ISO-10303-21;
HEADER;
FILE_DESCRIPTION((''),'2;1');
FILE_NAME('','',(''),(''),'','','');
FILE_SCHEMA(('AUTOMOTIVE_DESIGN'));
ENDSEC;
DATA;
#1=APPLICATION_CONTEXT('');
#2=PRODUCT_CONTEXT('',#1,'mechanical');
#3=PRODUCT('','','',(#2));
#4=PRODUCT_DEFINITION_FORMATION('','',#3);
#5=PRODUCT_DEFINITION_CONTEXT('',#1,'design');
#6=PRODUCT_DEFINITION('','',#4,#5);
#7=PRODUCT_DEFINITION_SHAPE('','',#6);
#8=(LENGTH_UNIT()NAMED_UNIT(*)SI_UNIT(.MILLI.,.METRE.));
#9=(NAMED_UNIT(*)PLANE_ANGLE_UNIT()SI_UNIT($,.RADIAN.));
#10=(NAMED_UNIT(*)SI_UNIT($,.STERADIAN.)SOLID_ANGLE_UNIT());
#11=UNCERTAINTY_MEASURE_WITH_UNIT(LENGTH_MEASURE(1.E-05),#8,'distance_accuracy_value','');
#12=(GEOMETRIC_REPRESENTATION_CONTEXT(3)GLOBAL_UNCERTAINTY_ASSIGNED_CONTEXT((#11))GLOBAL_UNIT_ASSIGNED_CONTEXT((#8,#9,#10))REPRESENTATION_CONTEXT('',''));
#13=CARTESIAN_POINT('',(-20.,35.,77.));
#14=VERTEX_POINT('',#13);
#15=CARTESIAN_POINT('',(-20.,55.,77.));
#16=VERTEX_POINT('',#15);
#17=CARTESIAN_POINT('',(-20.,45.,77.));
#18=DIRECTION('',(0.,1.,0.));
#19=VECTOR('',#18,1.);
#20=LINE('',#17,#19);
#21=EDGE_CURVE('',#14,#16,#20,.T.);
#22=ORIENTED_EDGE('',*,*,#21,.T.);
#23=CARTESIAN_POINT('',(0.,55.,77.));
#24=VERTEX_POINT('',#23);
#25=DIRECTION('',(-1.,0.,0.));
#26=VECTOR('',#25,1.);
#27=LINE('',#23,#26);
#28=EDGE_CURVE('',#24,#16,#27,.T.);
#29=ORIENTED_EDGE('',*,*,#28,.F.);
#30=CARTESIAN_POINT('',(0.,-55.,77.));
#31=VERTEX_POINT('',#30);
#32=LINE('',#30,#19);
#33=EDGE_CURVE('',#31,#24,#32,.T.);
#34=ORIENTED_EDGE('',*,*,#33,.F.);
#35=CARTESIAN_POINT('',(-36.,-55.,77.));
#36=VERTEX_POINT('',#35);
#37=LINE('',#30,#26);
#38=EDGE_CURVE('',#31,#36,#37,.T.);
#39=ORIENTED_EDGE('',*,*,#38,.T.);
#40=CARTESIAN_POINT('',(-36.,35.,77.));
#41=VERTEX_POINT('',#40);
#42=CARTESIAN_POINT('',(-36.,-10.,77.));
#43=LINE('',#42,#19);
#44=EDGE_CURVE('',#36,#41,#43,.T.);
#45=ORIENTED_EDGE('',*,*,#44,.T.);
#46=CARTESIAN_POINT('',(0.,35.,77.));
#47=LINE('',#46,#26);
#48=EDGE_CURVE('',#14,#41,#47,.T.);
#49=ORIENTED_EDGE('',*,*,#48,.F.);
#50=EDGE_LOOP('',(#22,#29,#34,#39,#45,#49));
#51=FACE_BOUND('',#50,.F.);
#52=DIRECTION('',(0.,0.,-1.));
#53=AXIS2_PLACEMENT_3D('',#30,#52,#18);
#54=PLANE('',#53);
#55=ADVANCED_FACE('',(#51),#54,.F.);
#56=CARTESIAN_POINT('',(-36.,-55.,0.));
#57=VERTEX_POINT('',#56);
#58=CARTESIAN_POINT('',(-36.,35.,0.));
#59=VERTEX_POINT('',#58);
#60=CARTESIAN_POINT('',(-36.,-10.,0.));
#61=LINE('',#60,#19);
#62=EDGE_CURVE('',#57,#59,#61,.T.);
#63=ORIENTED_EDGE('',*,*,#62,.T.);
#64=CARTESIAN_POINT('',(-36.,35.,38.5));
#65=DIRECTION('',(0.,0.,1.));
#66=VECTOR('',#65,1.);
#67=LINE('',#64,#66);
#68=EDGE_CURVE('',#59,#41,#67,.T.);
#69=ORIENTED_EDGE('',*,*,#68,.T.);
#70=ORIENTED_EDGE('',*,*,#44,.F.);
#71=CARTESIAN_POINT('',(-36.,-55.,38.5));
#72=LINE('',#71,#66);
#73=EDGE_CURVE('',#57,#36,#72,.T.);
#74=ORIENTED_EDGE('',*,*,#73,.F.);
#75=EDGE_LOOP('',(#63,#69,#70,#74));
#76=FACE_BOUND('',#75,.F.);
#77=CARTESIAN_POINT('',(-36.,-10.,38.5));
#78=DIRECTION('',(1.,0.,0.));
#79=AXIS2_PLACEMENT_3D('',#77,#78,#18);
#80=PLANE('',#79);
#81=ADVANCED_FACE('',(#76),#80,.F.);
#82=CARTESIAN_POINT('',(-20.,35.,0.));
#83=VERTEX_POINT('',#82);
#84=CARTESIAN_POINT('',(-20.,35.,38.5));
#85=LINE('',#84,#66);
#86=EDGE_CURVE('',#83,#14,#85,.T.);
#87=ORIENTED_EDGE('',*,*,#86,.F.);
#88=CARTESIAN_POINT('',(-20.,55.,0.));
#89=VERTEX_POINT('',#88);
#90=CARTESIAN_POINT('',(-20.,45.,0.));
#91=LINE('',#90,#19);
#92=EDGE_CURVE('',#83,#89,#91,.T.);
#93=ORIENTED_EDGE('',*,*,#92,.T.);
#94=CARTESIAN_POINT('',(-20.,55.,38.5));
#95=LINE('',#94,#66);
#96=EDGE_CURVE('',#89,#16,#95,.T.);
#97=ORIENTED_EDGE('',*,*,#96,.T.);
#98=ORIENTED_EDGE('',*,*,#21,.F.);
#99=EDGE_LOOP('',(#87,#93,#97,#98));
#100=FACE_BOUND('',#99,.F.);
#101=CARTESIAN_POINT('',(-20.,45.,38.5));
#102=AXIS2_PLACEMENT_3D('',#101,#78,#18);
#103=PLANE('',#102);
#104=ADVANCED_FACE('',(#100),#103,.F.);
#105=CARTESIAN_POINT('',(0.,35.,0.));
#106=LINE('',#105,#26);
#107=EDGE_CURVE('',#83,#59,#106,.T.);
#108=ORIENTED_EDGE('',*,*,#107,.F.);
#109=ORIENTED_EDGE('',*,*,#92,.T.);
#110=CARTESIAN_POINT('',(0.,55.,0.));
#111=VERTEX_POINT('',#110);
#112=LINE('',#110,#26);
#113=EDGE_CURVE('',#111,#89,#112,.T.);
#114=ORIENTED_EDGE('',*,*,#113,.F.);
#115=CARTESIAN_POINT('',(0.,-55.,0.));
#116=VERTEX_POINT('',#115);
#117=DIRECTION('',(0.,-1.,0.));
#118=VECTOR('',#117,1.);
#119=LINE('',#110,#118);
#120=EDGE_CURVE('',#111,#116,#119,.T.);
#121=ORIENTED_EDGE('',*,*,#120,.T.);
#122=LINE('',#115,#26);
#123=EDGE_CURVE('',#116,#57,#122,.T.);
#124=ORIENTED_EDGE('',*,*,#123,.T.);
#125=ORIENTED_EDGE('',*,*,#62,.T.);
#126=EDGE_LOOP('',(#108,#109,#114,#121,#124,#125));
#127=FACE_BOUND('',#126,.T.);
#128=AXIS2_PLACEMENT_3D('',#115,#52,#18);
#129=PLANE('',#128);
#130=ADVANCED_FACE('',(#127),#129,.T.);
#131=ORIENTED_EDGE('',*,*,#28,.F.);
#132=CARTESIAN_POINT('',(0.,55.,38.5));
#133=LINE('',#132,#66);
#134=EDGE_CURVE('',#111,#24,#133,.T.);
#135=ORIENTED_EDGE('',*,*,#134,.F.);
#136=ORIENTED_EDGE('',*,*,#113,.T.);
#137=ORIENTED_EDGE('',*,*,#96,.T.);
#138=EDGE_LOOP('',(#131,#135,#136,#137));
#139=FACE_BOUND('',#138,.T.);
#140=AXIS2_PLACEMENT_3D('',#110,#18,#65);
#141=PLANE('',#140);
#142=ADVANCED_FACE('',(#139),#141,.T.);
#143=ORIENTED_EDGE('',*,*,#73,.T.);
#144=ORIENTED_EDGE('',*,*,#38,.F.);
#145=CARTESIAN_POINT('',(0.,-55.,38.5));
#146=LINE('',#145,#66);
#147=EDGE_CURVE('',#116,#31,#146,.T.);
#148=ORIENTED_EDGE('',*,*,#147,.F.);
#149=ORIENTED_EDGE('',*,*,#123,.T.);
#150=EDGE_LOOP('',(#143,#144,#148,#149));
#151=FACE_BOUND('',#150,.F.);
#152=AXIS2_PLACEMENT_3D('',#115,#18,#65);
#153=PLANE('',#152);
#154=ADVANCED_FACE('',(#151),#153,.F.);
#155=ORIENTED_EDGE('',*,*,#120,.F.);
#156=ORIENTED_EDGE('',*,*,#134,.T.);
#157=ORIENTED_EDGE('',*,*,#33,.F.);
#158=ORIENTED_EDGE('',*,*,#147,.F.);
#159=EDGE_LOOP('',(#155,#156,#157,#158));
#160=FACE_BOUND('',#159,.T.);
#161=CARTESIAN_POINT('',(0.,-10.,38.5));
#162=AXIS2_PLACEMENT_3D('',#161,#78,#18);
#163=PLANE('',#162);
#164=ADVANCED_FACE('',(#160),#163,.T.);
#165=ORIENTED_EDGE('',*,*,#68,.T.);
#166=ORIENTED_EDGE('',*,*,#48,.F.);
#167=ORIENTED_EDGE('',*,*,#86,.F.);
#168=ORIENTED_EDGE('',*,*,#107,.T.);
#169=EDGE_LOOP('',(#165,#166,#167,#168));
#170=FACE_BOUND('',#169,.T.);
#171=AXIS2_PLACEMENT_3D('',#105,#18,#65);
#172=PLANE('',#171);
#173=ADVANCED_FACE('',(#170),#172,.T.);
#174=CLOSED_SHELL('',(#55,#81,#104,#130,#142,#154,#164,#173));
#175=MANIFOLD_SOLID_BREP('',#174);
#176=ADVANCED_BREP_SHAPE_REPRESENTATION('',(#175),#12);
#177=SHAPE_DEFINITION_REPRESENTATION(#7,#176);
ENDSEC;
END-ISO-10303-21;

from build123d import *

# Parameters (mm, degrees)
F0_W     = 20
F0_H     = 77
F1_DEPTH = 20
F0_W_2   = 90
F2_DEPTH = 36


with BuildPart() as f1:
    # F0 (on Right) → F1 (new body)
    with BuildSketch(Plane.YZ):
        with Locations((45, 38.5)):
            Rectangle(F0_W, F0_H)
    extrude(amount=-F1_DEPTH)

    # F0 (on Right) → F2 (join)
    with BuildSketch(Plane.YZ):
        with Locations((-10, 38.5)):
            Rectangle(F0_W_2, F0_H)
    extrude(amount=-F2_DEPTH)


solid = f1.part
